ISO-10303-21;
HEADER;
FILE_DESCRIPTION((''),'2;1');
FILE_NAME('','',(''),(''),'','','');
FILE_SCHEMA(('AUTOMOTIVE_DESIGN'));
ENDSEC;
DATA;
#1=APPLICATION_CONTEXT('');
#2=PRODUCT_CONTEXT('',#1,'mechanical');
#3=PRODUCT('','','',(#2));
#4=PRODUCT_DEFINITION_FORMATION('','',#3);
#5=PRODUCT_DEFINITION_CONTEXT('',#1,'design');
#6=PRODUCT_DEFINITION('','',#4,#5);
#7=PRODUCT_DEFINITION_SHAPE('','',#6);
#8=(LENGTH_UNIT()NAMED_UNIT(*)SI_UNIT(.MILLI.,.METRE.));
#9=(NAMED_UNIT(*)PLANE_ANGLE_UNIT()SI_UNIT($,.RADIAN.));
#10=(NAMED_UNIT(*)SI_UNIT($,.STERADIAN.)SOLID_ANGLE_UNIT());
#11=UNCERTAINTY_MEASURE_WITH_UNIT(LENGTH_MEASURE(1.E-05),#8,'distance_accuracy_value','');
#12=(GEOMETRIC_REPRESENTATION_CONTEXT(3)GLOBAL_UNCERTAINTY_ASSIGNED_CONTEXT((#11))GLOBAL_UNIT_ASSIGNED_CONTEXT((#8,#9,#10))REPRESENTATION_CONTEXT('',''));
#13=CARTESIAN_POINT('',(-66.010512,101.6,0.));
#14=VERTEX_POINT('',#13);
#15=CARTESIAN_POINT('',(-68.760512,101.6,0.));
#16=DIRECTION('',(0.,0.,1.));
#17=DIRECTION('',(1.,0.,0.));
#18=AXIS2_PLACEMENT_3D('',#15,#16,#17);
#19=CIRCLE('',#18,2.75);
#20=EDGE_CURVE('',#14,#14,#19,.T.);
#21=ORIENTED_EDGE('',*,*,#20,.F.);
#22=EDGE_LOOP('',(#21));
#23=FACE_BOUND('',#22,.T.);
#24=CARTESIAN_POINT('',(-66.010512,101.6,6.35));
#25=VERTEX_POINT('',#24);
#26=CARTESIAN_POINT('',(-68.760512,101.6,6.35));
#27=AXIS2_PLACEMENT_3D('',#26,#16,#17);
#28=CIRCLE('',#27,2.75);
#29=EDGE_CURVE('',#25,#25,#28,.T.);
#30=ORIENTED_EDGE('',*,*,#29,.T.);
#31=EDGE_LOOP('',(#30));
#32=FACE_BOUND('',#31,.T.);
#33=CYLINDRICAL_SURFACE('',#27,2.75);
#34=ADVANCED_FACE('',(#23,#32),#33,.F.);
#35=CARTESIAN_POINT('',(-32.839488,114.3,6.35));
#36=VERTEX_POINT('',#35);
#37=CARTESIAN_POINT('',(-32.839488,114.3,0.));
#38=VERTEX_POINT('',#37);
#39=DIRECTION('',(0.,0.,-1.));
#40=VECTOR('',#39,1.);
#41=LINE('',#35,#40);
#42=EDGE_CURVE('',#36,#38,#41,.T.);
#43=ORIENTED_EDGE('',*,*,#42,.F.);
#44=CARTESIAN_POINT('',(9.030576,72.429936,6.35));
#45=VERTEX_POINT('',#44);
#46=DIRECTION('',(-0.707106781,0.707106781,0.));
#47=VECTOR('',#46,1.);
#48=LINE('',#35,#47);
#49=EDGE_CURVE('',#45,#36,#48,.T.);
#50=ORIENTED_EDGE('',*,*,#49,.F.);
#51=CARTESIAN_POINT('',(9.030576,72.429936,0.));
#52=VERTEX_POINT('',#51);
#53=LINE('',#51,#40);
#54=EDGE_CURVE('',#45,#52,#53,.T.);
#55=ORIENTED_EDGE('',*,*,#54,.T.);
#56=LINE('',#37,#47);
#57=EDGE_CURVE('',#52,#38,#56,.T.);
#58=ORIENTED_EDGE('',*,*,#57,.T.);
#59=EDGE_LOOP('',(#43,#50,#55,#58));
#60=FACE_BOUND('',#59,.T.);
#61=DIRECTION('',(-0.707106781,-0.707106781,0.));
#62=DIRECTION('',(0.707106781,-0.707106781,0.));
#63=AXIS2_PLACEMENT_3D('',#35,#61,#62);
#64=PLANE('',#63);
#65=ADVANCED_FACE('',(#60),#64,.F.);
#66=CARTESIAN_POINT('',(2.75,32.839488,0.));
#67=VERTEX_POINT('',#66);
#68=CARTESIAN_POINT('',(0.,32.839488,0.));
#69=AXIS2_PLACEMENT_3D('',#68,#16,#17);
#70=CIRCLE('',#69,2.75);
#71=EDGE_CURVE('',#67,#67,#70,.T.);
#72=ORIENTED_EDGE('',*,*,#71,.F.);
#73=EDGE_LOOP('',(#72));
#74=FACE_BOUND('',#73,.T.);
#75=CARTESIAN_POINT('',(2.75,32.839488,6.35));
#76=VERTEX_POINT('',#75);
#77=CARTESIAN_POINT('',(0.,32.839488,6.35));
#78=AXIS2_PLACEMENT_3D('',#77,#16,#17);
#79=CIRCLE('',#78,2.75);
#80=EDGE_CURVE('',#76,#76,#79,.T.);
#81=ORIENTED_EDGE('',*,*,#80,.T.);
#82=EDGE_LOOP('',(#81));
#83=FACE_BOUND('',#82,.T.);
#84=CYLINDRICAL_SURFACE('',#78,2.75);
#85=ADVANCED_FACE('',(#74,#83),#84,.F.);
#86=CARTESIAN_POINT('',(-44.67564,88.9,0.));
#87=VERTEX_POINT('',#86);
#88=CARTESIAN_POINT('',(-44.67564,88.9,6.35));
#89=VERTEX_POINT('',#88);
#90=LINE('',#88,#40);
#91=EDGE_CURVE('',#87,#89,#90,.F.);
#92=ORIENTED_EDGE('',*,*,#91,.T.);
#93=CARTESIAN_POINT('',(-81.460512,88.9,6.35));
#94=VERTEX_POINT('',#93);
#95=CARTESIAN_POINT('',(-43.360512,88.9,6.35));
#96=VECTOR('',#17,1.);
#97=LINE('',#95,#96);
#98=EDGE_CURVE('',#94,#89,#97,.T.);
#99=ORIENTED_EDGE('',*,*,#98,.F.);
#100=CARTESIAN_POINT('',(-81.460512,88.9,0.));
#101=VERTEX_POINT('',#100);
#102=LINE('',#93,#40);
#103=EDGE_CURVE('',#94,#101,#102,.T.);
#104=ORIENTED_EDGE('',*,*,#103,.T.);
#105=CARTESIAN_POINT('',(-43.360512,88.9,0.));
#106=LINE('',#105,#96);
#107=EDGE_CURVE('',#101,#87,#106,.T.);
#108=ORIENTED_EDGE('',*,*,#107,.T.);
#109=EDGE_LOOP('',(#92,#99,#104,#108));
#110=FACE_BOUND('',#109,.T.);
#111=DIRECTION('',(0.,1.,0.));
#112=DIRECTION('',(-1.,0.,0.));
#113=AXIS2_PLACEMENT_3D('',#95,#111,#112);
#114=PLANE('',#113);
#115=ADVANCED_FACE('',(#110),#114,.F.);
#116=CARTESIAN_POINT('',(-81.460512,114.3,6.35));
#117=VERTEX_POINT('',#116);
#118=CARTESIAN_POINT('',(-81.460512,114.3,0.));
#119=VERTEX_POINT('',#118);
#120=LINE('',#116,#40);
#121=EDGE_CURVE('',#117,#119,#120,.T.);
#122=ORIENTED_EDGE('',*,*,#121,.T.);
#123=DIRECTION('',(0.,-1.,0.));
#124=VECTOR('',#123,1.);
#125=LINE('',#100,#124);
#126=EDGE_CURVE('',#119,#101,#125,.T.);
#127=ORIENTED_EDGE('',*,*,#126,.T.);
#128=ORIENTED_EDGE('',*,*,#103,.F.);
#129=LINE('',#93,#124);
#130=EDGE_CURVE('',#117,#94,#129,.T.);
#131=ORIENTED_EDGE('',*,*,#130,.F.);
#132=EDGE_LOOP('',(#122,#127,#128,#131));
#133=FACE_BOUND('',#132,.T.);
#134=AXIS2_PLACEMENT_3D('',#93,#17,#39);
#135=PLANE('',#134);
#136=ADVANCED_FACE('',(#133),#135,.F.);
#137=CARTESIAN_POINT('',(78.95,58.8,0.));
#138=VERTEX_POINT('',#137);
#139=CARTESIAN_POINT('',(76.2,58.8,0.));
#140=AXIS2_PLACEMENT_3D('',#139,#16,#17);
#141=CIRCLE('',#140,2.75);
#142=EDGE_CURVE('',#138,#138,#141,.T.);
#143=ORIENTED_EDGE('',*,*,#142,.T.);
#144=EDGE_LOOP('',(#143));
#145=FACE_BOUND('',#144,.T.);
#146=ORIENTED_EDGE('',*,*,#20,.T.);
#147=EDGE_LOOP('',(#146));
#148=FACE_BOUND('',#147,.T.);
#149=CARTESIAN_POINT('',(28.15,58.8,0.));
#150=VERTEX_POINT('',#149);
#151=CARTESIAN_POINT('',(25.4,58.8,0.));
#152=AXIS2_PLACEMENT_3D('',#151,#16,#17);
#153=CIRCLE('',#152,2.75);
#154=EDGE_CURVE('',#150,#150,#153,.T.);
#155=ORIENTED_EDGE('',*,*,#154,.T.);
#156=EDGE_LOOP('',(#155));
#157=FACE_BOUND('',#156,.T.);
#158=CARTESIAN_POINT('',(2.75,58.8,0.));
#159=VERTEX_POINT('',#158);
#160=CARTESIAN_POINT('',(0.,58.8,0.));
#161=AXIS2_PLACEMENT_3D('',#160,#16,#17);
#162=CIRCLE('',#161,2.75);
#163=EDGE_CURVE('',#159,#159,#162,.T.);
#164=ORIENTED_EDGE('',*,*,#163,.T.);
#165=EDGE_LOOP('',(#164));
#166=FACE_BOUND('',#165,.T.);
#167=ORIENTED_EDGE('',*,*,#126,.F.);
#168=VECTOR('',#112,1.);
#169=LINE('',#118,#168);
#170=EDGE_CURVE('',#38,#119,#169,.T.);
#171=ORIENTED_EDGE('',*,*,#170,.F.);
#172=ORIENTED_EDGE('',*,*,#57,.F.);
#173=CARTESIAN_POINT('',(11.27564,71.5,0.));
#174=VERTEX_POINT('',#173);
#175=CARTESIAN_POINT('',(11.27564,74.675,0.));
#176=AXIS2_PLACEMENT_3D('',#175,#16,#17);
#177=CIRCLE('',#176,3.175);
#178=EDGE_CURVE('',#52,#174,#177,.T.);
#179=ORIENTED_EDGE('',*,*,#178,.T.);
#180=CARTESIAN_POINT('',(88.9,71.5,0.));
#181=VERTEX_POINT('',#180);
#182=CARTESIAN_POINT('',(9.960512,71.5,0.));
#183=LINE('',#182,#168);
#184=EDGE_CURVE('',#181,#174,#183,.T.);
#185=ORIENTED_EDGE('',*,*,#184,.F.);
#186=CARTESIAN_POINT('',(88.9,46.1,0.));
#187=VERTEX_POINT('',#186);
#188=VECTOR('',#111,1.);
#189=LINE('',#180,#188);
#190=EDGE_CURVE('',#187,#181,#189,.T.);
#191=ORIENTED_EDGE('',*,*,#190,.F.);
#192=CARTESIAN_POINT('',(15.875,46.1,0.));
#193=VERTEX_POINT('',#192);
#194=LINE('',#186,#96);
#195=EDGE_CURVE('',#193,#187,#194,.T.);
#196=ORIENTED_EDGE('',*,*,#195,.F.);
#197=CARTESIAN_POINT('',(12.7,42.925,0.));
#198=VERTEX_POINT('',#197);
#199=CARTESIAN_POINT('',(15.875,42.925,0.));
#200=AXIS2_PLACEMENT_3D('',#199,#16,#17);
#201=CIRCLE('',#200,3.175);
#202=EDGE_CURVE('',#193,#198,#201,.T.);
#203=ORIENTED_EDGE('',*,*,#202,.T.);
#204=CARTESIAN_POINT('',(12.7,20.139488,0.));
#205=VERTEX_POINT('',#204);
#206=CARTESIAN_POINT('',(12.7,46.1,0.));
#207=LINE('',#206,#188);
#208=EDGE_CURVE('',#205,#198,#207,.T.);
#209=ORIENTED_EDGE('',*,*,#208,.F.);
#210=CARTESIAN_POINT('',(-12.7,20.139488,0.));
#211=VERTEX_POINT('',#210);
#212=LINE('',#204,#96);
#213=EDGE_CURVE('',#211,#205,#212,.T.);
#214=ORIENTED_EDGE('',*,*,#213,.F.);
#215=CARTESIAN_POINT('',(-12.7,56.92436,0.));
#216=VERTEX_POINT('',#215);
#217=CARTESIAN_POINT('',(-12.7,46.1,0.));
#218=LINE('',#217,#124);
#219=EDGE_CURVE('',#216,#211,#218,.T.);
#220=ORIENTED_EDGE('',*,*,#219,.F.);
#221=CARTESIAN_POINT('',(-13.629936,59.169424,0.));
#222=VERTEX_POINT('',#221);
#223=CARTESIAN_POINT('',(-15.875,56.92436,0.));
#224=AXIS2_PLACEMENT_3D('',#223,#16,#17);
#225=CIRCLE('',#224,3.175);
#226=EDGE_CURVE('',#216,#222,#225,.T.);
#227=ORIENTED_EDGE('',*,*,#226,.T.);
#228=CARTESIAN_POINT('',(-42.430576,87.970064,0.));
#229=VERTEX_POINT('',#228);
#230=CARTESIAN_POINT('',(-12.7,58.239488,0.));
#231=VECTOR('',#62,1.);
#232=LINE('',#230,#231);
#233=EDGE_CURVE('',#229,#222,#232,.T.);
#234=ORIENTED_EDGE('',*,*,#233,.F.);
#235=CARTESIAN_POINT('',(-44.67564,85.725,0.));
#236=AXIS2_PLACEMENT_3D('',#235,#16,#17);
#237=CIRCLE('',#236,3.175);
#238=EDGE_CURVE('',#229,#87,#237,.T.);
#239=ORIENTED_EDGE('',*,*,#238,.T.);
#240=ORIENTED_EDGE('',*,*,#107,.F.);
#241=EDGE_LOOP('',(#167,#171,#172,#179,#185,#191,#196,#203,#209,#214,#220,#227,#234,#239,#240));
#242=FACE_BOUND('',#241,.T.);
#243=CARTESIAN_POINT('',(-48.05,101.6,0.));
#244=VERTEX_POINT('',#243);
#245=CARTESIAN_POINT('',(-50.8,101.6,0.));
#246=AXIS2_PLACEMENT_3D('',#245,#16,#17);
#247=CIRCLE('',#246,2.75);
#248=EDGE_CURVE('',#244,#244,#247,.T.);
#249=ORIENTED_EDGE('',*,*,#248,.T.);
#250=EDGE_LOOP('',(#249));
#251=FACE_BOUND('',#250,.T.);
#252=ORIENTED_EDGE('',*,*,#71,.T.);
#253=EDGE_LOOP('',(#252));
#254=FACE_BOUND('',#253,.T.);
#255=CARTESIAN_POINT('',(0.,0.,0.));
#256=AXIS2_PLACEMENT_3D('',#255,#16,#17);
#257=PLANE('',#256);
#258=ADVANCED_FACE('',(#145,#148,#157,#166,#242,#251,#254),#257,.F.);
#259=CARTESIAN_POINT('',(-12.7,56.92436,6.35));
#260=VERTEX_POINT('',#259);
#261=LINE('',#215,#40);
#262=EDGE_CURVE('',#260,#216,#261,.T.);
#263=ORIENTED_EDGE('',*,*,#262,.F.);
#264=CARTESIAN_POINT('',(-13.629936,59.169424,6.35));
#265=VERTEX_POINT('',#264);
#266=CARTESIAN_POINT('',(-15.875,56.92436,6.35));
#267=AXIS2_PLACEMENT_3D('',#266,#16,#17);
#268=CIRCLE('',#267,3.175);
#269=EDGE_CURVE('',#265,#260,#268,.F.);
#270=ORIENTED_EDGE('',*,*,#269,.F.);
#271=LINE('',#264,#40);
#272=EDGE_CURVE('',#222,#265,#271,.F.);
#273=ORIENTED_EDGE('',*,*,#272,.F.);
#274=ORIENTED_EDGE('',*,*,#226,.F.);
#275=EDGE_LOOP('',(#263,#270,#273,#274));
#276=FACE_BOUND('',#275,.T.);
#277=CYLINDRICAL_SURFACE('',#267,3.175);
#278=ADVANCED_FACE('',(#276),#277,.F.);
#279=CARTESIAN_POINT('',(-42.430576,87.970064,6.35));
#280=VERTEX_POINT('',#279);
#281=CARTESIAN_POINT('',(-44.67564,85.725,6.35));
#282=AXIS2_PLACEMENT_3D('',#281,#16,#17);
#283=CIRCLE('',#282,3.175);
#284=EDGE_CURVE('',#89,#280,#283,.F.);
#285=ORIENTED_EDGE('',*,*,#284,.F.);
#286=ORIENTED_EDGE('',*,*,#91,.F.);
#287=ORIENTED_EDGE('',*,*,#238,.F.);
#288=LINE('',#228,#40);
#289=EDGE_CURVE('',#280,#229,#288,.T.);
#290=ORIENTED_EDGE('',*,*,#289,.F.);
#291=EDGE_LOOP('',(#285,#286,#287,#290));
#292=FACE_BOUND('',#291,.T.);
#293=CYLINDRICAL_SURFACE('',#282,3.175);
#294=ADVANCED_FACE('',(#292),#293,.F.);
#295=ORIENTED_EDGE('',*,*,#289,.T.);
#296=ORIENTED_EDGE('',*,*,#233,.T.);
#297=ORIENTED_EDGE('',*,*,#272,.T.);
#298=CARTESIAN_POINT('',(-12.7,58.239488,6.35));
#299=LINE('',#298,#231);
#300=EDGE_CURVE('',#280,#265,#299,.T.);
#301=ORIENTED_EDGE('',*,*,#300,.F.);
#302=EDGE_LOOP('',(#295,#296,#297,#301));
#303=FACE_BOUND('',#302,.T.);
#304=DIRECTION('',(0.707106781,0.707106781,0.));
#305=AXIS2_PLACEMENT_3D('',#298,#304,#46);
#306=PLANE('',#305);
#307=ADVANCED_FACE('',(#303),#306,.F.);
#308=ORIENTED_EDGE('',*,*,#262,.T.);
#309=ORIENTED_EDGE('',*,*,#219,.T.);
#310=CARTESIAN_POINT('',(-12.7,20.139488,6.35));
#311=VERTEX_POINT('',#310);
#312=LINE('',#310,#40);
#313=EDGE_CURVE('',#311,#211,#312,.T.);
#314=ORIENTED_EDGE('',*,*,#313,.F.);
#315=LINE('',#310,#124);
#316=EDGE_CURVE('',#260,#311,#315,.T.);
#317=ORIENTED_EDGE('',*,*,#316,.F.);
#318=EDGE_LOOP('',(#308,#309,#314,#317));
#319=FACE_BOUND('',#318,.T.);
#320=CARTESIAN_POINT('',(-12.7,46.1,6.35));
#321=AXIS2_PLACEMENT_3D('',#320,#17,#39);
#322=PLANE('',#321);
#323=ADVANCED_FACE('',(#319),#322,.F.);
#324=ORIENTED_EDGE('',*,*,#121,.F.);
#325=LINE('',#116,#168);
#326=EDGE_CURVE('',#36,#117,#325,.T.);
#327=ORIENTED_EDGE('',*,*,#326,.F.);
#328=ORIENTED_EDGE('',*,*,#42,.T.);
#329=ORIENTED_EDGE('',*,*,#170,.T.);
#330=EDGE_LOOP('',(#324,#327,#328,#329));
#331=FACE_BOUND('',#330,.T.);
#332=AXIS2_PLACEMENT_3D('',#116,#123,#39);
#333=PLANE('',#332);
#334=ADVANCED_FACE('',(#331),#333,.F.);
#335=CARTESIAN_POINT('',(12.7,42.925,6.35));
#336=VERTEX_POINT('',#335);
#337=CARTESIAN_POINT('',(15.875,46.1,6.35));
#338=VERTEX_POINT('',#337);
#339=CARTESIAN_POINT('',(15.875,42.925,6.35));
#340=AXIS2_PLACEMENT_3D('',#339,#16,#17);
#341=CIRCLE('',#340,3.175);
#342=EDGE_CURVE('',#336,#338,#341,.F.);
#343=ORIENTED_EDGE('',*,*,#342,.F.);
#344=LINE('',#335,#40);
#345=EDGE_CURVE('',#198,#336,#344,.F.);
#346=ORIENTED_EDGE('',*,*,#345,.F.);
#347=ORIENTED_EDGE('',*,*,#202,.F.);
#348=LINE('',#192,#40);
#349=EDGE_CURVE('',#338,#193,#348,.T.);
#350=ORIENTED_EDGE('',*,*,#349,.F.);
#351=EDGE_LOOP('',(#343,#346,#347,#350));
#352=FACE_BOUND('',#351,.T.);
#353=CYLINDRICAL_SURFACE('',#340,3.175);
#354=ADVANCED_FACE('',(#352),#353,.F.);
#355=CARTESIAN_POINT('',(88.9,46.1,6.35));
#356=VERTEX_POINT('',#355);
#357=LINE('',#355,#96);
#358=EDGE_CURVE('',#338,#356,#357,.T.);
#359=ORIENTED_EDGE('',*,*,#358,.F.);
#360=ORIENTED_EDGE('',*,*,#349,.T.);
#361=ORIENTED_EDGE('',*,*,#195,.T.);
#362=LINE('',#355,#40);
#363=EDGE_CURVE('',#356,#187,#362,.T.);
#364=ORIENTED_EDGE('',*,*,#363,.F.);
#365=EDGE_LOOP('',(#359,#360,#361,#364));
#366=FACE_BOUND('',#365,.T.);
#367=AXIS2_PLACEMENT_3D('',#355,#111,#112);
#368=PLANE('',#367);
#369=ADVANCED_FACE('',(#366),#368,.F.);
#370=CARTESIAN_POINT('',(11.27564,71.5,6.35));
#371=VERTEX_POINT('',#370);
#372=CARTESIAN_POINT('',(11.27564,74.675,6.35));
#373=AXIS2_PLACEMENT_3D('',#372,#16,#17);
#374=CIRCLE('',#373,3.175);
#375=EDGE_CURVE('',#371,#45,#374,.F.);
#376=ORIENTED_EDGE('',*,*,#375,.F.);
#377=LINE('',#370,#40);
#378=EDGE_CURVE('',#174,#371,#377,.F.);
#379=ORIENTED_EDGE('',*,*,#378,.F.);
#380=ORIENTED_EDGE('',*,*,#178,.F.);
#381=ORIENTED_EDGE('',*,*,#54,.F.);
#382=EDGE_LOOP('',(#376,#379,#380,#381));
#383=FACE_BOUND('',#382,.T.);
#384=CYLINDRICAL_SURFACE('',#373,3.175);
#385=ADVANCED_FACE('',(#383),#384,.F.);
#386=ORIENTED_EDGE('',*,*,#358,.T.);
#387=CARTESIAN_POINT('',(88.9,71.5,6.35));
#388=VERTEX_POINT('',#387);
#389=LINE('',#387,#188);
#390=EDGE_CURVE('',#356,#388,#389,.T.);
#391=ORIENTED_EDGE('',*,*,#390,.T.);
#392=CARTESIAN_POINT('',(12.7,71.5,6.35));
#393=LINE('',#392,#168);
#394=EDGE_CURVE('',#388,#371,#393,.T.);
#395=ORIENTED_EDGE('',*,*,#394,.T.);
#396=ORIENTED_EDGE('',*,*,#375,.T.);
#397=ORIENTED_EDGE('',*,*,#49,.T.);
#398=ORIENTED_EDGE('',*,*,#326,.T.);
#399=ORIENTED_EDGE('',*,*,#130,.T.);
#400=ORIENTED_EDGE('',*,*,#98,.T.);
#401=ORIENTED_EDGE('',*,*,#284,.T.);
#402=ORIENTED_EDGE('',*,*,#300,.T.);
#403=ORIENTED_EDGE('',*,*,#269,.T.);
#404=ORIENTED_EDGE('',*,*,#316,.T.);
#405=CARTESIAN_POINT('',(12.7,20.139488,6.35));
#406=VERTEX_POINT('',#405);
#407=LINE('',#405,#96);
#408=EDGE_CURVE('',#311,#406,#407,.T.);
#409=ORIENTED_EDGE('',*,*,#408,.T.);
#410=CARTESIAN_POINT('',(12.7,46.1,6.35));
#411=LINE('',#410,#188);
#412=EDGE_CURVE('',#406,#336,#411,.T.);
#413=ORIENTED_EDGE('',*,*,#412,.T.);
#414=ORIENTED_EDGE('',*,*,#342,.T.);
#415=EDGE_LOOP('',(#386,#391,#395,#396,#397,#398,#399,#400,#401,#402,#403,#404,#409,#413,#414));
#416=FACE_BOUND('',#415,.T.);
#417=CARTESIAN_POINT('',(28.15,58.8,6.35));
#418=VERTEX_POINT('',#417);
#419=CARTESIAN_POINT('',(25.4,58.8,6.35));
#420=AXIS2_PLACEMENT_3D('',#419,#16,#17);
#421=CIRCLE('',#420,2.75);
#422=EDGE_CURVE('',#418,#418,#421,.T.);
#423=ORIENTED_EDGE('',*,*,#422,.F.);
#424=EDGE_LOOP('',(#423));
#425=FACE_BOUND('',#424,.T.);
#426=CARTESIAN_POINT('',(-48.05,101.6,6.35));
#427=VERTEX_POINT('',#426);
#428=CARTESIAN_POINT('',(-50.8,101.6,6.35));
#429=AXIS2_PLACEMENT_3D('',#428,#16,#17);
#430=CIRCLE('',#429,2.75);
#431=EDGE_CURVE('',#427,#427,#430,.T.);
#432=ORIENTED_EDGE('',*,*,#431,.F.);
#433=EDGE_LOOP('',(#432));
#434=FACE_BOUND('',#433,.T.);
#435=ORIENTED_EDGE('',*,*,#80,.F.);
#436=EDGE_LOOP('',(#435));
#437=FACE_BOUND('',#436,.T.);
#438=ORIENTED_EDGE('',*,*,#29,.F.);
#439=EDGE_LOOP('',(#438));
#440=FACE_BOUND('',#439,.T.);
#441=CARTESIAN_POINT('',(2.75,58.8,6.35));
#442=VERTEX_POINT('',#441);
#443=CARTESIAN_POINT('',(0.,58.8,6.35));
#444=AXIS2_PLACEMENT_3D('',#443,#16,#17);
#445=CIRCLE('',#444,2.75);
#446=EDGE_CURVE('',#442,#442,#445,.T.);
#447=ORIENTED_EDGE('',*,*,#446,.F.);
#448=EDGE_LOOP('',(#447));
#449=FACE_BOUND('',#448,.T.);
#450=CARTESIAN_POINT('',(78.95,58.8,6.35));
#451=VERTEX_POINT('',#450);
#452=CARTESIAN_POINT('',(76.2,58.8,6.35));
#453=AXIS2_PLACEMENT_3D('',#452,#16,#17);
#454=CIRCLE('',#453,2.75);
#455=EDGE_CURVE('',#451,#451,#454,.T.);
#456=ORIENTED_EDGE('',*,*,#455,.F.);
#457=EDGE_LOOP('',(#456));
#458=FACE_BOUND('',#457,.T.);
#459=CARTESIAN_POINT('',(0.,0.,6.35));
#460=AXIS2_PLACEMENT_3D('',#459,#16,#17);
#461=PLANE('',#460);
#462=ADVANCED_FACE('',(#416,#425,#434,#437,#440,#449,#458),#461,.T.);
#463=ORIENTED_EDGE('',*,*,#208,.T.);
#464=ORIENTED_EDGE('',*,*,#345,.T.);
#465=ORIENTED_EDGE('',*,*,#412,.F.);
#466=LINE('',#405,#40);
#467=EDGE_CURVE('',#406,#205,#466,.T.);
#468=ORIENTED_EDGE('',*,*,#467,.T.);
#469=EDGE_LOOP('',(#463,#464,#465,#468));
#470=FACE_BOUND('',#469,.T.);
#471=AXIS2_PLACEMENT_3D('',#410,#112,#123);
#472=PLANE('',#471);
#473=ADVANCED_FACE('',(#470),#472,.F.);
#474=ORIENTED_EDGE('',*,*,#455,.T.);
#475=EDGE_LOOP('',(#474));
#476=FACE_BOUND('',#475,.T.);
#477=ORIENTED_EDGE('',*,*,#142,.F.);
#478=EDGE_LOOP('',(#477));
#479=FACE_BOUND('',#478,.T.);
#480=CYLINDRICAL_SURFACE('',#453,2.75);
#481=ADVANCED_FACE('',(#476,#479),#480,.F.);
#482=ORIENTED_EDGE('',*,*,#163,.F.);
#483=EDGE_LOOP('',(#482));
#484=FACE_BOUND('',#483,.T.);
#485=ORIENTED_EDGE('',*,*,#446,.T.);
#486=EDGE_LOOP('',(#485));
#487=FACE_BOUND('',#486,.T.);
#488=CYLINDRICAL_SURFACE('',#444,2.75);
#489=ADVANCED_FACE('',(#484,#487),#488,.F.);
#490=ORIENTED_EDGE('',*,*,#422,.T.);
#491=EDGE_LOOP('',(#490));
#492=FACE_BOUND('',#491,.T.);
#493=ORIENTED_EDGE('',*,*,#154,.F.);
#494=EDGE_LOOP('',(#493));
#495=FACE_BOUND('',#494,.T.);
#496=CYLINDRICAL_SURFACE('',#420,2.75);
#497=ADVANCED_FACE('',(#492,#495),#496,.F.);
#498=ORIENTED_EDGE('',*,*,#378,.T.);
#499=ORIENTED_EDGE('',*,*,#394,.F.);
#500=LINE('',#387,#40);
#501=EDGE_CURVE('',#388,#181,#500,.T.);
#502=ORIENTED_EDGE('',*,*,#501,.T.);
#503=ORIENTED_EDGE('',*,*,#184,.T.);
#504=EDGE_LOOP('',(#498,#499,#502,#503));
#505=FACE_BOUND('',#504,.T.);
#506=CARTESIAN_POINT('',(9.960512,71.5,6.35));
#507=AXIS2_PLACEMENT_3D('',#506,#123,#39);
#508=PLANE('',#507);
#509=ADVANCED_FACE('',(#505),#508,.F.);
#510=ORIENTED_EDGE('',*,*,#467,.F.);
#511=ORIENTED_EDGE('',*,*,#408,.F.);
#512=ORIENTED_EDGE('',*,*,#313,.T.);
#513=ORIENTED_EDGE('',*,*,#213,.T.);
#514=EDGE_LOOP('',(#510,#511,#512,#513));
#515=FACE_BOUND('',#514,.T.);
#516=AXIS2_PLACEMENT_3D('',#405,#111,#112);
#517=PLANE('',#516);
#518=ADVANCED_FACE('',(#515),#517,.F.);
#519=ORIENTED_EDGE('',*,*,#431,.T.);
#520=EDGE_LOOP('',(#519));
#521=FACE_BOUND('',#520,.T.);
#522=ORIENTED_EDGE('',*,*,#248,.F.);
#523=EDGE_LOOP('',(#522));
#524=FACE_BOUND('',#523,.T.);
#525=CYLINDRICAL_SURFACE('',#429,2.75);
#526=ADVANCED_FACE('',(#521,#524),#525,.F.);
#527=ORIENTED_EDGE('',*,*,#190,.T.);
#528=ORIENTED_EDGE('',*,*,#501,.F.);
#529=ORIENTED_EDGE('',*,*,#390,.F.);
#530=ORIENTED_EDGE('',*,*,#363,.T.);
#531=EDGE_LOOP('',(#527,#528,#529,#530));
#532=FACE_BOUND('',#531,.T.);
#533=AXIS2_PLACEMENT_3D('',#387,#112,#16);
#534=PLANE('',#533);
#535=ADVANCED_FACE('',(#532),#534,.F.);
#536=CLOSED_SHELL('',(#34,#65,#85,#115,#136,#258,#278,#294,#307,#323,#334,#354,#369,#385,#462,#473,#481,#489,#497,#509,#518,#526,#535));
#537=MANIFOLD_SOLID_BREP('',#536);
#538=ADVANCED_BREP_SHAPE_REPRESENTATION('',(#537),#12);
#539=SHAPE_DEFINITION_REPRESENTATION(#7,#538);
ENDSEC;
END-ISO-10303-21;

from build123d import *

# Parameters (mm, degrees)
BOSS_EXTRUDE1_DEPTH      = 6.35
FILLET1_R                = 3.175
M5_CLEARANCE_HOLE1_D     = 5.5
M5_CLEARANCE_HOLE1_DEPTH = 18.75
M5_CLEARANCE_HOLE1_TIP   = 1.652366702


with BuildPart() as part:
    # Sketch1 → Boss-Extrude1 (new body)
    with BuildSketch(Plane.XY):
        Polygon((-12.7, 46.1), (-12.7, 58.239487758), (-43.360512242, 88.9), (-81.460512242, 88.9), (-81.460512242, 114.3), (-32.839487758, 114.3), (9.960512242, 71.5), (12.7, 71.5), (88.9, 71.5), (88.9, 46.1), (12.7, 46.1), (12.7, 20.139487758), (-12.7, 20.139487758), align=None)
    extrude(amount=BOSS_EXTRUDE1_DEPTH)

    # Fillet1
    fillet1_edges = [part.edges().sort_by_distance(p)[0] for p in [
        (-12.7, 58.239487758, 3.175),
        (-43.360512242, 88.9, 3.175),
        (9.960512242, 71.5, 3.175),
        (12.7, 46.1, 3.175),
    ]]
    fillet(fillet1_edges, radius=FILLET1_R)

    # M5 Clearance Hole1
    with Locations(Plane.XY.offset(6.35)):
        with Locations((0, 58.8), (25.4, 58.8), (76.2, 58.8), (-50.8, 101.6), (-68.760512242, 101.6), (0, 32.839487758)):
            Hole(M5_CLEARANCE_HOLE1_D / 2, depth=M5_CLEARANCE_HOLE1_DEPTH)
            with Locations((0, 0, -(M5_CLEARANCE_HOLE1_DEPTH + M5_CLEARANCE_HOLE1_TIP / 2))):  # 118° drill point
                Cone(0, M5_CLEARANCE_HOLE1_D / 2, M5_CLEARANCE_HOLE1_TIP, mode=Mode.SUBTRACT)


solid = part.part
